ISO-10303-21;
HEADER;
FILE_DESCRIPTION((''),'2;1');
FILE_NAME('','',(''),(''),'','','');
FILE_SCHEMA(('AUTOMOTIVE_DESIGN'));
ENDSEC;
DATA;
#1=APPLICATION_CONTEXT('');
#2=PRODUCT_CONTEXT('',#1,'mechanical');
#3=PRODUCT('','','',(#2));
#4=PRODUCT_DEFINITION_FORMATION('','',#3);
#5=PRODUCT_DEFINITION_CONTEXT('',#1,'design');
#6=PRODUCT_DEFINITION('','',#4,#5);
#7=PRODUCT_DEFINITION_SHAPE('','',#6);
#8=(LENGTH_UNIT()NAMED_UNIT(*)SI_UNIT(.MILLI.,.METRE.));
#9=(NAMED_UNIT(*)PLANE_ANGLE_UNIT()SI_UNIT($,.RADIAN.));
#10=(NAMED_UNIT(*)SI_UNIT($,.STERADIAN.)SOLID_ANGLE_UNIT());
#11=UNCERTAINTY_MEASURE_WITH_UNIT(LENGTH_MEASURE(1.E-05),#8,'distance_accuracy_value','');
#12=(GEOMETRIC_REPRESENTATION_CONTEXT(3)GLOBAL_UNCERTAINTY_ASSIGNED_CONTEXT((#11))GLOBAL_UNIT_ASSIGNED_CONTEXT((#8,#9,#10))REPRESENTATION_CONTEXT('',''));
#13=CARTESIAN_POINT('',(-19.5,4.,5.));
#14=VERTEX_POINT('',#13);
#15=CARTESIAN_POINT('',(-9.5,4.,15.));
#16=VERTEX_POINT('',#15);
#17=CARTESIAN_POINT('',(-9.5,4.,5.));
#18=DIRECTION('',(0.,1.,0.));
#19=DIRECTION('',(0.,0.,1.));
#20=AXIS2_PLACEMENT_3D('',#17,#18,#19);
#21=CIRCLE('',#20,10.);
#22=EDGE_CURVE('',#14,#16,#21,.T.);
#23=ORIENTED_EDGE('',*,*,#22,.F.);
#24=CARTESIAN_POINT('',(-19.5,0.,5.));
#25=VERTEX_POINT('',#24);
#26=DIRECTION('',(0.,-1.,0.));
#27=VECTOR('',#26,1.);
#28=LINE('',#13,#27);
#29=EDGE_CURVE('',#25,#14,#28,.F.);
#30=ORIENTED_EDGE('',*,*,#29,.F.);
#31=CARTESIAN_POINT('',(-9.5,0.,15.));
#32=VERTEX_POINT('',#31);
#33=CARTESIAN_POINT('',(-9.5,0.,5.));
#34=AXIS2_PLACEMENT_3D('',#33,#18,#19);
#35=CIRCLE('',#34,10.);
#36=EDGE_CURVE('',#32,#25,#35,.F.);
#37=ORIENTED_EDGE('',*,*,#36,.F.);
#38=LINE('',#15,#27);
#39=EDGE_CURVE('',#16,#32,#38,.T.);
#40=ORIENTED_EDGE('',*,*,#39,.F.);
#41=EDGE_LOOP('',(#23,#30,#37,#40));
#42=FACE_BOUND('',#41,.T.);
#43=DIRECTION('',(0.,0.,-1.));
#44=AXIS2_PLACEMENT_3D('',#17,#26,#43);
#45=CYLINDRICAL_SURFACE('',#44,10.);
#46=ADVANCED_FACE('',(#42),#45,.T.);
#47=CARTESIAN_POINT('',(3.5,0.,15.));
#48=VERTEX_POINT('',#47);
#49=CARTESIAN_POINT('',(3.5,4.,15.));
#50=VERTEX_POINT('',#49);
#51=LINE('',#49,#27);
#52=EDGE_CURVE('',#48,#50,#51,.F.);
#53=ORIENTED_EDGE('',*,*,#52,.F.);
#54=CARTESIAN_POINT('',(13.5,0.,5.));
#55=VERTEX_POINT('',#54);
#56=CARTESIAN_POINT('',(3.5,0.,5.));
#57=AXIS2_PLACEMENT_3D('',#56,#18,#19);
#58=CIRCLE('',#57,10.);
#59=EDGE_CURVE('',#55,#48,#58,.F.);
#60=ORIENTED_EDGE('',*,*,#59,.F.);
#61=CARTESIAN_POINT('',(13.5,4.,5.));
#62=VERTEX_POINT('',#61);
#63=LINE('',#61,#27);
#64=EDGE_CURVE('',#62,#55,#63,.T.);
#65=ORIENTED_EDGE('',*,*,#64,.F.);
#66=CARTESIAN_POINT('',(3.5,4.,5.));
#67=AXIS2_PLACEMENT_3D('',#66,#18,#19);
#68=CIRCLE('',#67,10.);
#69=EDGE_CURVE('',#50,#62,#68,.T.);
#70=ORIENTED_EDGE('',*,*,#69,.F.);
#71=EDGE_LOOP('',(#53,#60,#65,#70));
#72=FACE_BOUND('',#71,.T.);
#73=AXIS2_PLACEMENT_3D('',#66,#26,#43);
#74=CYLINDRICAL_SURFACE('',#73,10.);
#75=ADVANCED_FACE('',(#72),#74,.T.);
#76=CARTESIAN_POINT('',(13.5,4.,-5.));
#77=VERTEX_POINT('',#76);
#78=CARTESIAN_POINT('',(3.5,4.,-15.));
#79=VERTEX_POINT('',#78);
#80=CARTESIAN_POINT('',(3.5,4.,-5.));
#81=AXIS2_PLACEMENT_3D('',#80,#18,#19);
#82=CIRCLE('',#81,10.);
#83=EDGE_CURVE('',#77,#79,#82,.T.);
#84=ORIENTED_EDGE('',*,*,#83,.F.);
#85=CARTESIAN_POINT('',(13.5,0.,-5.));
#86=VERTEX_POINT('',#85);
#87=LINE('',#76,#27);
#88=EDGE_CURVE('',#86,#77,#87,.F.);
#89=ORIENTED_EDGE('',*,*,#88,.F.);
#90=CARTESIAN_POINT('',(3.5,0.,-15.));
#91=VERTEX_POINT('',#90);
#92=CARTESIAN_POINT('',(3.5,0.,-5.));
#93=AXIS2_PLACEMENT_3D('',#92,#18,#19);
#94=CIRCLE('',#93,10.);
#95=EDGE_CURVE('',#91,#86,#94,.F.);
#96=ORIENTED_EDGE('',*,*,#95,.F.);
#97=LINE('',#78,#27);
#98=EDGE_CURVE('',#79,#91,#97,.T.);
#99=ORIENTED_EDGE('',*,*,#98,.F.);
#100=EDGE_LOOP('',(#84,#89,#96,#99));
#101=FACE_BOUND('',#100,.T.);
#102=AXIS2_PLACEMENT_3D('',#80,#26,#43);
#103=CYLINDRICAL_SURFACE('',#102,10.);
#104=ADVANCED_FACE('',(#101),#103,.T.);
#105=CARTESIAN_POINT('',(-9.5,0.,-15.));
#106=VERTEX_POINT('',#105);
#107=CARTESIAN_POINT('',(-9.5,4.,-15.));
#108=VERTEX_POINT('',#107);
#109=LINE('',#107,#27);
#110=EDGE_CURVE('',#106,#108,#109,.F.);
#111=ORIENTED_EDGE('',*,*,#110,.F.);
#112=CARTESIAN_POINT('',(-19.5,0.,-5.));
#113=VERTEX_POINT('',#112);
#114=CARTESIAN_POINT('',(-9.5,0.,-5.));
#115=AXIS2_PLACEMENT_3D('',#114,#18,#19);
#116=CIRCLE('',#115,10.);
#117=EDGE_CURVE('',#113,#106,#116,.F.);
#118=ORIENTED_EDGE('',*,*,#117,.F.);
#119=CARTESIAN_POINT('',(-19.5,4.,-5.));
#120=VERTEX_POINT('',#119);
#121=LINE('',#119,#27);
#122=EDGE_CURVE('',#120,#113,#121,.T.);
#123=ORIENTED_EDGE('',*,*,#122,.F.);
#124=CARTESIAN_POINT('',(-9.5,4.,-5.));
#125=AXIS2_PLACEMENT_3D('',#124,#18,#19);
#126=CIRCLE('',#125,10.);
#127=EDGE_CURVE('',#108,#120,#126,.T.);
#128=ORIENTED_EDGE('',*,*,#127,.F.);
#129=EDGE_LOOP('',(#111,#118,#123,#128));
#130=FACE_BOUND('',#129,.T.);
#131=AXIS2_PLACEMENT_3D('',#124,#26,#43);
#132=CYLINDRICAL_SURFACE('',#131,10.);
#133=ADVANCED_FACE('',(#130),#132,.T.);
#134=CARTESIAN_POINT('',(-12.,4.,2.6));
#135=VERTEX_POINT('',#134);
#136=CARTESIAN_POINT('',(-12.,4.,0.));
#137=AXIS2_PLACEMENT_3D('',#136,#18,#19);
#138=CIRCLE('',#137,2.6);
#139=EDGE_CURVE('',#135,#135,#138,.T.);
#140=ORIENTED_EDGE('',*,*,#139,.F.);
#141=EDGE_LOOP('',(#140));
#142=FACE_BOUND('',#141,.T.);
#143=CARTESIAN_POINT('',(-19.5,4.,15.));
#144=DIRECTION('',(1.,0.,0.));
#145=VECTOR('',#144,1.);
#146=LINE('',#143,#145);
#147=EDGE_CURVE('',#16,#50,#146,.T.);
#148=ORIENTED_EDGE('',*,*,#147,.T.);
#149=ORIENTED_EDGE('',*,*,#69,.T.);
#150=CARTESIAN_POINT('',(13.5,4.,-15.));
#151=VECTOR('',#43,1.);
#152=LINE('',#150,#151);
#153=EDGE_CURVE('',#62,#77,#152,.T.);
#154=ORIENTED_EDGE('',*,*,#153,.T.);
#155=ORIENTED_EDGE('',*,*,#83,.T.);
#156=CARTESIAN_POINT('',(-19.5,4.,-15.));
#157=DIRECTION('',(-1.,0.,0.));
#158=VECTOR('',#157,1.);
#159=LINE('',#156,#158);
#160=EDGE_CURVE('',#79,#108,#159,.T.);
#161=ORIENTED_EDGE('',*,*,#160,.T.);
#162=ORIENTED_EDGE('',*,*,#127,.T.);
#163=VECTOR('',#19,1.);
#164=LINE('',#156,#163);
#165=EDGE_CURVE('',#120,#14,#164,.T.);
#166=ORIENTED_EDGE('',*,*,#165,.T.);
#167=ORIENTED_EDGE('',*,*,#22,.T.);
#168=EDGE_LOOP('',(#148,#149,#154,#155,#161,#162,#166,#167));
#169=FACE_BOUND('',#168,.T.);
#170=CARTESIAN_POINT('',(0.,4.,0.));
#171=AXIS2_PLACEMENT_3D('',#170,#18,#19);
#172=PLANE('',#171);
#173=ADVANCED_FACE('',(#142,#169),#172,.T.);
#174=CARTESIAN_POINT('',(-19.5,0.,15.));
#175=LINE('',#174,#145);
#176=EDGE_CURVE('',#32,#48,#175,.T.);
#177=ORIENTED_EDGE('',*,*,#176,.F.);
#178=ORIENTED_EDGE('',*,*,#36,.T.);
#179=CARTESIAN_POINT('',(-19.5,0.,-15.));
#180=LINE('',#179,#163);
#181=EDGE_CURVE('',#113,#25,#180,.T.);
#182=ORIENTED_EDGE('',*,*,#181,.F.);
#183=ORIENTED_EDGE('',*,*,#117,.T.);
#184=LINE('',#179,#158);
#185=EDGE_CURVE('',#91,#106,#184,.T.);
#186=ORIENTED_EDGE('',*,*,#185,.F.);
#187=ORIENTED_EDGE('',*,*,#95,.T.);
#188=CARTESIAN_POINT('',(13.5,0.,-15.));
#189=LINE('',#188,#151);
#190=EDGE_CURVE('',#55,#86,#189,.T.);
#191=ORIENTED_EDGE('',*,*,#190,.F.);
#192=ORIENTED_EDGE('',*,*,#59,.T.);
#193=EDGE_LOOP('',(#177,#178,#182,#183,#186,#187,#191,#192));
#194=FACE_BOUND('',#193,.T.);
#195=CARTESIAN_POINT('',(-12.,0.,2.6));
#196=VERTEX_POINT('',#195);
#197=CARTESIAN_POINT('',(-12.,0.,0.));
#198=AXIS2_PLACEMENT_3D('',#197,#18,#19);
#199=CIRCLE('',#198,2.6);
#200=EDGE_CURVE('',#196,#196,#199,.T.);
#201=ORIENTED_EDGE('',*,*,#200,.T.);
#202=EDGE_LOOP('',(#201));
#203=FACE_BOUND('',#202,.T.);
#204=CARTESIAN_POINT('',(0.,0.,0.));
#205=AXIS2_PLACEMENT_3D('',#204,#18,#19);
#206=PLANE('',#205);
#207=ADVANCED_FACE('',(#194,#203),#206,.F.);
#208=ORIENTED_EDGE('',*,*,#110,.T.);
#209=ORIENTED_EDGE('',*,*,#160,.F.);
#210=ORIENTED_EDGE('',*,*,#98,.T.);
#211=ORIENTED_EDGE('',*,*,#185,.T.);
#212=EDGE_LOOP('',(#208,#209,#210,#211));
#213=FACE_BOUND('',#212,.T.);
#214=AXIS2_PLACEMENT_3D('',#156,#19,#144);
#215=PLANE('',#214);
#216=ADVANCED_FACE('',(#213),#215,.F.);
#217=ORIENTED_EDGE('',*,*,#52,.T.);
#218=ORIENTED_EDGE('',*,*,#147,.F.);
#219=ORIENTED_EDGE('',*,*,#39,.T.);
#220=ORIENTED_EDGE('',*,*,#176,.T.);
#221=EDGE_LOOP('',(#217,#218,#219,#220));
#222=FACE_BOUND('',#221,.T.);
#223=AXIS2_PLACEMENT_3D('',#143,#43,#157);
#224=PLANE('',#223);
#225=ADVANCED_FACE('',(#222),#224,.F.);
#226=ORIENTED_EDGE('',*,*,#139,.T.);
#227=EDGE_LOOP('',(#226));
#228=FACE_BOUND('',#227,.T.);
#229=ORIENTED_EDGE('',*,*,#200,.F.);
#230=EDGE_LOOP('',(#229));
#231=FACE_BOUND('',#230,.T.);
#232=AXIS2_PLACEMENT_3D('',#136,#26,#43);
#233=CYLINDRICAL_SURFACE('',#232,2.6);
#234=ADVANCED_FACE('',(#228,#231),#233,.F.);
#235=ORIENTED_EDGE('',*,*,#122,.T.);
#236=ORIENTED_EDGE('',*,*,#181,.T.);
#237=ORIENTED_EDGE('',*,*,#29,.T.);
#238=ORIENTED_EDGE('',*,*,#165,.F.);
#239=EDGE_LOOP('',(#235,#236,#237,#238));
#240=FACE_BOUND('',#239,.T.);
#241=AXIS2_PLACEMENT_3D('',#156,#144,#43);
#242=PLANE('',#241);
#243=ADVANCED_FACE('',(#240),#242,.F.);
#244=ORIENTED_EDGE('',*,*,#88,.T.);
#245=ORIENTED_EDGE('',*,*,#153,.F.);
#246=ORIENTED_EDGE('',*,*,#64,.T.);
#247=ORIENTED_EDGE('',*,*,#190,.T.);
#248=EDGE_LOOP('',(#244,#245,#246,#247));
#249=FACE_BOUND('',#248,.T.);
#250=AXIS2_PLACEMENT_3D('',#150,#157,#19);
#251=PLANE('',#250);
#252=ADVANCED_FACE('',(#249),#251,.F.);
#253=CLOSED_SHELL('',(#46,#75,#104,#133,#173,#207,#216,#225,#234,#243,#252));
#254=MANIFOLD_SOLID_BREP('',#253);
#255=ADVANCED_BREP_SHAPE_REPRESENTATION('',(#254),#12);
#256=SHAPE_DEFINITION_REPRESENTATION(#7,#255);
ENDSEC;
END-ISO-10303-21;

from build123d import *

# Parameters (mm, degrees)
SKETCH1_W           = 33
SKETCH1_H           = 30
SKETCH1_R           = 2.6
BOSS_EXTRUDE1_DEPTH = 4
FILLET1_R           = 10


with BuildPart() as part:
    # Sketch1 → Boss-Extrude1 (new body)
    with BuildSketch(Plane(origin=(0, 0, 0), x_dir=(1, 0, 0), z_dir=(0, 1, 0))):
        with Locations((-3, 0)):
            Rectangle(SKETCH1_W, SKETCH1_H)
        with Locations(Location((-12, 0, 0), (0, 0, 270))):
            Circle(SKETCH1_R, mode=Mode.SUBTRACT)
    extrude(amount=BOSS_EXTRUDE1_DEPTH)

    # Fillet1
    fillet1_edges = [part.edges().sort_by_distance(p)[0] for p in [
        (13.5, 2, 15),
        (-19.5, 2, 15),
        (-19.5, 2, -15),
        (13.5, 2, -15),
    ]]
    fillet(fillet1_edges, radius=FILLET1_R)


solid = part.part
